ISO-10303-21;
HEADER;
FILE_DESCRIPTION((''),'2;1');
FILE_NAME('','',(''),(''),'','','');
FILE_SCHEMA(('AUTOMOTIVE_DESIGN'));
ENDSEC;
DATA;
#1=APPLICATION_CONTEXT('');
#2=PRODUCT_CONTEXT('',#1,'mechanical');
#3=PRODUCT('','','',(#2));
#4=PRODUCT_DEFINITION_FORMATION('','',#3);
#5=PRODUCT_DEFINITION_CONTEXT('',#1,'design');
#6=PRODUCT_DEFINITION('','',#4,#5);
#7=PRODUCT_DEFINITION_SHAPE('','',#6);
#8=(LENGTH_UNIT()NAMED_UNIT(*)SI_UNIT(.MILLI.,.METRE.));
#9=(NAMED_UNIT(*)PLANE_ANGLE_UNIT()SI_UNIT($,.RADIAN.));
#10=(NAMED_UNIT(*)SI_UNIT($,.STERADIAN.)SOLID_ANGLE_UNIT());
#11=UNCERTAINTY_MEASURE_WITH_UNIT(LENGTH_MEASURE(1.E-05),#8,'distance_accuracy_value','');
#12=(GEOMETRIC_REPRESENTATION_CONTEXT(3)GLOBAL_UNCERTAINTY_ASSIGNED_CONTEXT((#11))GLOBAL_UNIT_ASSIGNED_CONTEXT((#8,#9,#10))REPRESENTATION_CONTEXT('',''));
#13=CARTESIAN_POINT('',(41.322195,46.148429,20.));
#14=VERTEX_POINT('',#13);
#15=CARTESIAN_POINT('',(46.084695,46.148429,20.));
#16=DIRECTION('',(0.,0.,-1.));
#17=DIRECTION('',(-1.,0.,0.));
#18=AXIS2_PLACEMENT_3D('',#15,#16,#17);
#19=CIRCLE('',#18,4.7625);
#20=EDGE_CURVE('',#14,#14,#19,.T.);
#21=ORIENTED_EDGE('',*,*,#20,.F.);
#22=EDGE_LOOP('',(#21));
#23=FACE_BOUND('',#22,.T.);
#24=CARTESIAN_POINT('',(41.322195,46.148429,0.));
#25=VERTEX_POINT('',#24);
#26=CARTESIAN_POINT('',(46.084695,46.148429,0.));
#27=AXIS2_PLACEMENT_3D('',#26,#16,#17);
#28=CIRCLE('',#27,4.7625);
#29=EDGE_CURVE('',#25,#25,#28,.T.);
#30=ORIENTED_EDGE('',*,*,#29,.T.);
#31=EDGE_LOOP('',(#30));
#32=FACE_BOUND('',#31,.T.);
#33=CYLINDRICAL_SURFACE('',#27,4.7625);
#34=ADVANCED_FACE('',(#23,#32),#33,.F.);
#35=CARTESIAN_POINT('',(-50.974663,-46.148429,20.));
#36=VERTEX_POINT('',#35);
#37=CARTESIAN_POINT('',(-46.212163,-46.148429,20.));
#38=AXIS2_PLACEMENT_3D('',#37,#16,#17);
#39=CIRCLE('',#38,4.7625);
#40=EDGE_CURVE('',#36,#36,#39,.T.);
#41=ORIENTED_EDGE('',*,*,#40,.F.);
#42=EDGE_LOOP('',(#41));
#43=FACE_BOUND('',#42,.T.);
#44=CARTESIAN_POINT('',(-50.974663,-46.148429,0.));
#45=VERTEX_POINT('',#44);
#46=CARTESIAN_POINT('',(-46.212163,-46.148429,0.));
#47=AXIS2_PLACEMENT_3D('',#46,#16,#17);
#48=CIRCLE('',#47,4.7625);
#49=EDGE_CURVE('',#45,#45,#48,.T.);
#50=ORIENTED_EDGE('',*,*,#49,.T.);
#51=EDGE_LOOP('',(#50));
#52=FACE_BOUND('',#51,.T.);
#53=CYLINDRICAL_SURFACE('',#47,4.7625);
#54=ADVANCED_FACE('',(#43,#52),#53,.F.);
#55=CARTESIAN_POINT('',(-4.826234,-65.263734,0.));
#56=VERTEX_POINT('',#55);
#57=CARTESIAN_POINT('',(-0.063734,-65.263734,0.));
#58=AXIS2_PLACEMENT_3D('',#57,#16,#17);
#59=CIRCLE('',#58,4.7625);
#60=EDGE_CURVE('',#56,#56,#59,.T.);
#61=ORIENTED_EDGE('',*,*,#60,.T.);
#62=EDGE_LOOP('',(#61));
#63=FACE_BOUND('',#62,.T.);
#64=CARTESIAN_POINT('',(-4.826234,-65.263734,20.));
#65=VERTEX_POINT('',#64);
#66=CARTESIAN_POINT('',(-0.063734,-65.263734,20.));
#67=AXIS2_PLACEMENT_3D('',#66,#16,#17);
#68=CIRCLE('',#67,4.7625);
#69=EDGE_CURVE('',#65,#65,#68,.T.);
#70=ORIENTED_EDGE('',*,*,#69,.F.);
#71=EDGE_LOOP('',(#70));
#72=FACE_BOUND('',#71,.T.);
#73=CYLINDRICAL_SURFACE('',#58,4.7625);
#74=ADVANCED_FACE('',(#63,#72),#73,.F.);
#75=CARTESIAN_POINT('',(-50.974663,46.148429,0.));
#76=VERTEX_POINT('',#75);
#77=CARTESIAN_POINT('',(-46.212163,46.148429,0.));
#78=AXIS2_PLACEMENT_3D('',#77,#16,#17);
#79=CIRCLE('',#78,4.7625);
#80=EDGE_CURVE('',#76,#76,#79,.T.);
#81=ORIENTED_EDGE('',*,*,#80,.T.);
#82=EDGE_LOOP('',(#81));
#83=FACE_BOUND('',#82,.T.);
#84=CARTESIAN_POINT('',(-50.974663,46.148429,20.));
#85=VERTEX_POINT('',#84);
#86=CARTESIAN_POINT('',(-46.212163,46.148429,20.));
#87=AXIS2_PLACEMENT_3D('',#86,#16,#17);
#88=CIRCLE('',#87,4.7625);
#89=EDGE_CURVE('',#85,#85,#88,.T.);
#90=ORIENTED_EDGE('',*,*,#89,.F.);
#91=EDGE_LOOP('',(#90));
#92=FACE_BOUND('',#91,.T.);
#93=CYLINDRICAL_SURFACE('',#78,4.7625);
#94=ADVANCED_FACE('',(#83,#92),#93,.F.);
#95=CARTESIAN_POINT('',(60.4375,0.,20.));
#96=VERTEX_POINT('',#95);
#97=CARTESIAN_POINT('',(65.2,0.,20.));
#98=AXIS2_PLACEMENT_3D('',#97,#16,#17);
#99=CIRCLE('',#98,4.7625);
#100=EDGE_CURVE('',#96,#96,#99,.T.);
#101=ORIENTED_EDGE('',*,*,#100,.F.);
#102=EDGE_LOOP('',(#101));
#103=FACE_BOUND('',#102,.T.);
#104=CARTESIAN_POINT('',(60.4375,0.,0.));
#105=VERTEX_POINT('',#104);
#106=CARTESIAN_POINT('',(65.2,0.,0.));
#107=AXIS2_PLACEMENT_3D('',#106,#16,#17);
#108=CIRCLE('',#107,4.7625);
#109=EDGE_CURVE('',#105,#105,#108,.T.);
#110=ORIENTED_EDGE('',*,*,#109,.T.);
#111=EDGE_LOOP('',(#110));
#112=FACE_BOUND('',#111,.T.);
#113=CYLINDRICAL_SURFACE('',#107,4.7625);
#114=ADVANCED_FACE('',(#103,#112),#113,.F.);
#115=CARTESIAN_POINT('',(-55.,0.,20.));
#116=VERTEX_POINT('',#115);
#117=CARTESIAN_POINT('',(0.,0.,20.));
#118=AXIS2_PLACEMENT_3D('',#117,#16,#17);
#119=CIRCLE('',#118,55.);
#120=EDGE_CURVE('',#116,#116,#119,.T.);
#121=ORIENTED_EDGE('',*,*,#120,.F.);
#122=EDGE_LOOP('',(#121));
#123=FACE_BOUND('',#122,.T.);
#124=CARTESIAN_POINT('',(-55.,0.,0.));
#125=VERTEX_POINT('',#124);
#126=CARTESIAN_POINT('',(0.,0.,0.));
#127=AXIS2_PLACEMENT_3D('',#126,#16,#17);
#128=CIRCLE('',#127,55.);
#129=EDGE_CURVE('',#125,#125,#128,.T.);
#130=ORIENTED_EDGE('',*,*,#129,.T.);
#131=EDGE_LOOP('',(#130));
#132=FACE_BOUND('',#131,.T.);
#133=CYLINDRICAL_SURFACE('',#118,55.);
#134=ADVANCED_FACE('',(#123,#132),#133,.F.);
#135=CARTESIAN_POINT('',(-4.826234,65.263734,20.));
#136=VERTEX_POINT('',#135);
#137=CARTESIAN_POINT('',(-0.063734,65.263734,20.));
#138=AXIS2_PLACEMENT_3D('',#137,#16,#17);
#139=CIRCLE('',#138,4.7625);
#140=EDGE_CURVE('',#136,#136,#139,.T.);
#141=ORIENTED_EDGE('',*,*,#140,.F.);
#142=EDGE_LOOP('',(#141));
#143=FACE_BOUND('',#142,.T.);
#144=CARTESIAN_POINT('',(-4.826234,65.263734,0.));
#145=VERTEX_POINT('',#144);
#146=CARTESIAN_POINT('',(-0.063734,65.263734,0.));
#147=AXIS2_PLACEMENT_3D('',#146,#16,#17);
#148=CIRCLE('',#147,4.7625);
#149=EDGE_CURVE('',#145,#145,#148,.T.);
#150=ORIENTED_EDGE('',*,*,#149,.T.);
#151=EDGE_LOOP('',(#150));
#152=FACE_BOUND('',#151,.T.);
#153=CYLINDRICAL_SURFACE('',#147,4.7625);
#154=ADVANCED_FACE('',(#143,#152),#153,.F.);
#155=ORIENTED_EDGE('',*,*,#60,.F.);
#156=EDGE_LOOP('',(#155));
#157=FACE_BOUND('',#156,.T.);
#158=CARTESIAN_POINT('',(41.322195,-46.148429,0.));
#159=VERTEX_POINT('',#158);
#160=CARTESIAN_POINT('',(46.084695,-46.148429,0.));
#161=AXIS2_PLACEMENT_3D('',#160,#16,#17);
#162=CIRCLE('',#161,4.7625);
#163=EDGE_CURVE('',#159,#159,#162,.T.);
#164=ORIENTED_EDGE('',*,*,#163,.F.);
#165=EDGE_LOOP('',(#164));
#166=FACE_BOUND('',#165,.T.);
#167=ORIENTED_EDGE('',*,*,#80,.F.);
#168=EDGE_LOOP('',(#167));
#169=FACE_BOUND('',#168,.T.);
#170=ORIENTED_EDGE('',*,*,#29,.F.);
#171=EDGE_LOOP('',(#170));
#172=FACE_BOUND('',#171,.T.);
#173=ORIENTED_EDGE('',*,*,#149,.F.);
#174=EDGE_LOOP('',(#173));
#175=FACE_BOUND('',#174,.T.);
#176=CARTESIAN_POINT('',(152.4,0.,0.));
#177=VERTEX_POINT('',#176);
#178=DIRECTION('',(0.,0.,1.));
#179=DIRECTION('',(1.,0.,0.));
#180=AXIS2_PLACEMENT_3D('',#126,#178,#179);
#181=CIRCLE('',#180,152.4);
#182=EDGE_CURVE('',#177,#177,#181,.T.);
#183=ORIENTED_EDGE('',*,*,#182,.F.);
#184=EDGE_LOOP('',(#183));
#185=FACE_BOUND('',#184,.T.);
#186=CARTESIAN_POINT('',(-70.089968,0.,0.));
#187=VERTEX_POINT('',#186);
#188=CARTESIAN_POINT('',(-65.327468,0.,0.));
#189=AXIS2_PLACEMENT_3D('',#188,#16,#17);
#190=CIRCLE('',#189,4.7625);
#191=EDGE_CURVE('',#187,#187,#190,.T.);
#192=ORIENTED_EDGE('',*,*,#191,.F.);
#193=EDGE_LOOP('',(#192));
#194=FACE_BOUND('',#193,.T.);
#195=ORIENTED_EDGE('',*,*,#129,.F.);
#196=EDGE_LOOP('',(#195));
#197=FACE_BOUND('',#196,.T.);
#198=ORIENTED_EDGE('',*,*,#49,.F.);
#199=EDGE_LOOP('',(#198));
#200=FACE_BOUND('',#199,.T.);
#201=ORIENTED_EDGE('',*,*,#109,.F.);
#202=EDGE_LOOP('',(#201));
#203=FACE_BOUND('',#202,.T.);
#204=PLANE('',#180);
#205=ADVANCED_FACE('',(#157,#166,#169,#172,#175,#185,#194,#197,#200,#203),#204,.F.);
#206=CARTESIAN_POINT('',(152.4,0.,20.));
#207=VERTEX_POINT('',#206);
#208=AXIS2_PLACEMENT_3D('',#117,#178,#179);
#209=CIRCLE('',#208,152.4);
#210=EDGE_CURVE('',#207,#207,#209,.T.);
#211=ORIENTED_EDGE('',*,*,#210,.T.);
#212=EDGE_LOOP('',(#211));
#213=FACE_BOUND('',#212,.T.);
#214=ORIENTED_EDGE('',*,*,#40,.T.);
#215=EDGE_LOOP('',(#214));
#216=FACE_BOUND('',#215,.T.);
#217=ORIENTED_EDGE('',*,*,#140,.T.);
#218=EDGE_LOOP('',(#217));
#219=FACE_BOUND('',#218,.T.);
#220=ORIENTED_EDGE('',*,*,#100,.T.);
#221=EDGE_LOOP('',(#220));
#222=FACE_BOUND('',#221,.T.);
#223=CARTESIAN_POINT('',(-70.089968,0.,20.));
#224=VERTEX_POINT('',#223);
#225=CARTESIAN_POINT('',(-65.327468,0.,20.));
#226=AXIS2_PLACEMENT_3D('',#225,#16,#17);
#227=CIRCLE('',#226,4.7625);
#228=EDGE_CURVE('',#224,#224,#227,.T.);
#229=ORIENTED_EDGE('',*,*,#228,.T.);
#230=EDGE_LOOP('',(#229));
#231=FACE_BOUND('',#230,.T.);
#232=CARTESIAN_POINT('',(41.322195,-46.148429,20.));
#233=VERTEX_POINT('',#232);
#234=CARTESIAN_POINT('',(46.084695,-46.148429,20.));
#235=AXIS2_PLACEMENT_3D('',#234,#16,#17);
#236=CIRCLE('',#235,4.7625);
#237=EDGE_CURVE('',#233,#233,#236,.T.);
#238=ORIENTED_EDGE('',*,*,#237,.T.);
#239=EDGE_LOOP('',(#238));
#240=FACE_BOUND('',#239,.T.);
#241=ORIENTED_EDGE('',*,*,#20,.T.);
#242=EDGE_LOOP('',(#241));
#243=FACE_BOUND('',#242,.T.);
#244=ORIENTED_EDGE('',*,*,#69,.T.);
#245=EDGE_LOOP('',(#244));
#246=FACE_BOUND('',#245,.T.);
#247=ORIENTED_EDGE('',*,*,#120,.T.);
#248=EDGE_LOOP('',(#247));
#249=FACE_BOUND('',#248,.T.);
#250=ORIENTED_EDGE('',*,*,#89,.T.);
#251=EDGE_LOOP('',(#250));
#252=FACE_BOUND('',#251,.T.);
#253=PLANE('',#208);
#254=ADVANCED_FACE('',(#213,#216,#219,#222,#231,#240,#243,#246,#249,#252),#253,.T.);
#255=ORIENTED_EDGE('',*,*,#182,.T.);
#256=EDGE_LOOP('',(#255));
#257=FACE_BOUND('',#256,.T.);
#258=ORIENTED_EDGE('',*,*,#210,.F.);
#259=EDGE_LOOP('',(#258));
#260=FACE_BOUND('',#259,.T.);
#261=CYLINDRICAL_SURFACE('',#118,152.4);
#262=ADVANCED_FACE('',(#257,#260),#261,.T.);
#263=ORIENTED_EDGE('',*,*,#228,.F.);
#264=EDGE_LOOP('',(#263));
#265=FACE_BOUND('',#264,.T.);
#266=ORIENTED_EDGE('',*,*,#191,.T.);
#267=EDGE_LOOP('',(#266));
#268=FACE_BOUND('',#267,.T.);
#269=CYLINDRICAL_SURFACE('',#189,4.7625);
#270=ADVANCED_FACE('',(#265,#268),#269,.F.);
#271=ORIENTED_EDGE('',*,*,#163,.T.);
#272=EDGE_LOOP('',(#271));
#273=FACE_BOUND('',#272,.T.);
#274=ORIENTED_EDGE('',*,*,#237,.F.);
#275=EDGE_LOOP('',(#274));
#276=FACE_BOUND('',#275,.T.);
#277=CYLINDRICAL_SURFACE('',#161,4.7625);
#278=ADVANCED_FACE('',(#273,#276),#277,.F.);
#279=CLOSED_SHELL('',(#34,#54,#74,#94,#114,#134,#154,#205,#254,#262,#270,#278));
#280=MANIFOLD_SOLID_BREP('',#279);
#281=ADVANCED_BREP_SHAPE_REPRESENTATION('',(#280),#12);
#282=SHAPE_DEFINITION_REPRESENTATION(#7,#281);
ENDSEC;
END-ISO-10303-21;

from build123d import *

# Parameters (mm, degrees)
SKETCH1_R                    = 152.4
BOSS_EXTRUDE1_DEPTH          = 20
F_3_8_0_375_DIAMETER_HOLE1_D = 9.525
CIRPATTERN1_COUNT            = 8
SKETCH5_R                    = 55
CUT_EXTRUDE1_DEPTH           = 217.452119417


with BuildPart() as part:
    # Sketch1 → Boss-Extrude1 (new body)
    with BuildSketch(Plane.XY):
        Circle(SKETCH1_R)
    extrude(amount=BOSS_EXTRUDE1_DEPTH)

    # 3/8 (0.375) Diameter Hole1 (through all)
    with Locations(Plane(origin=(0, 0, 0), x_dir=(-1, 0, 0), z_dir=(0, 0, -1))):
        with Locations((-65.2, 0)):
            f_3_8_0_375_diameter_hole1 = Hole(F_3_8_0_375_DIAMETER_HOLE1_D / 2)

    # CirPattern1: 3/8 (0.375) Diameter Hole1 ×8 about axis
    cirpattern1_axis = Axis((-0.063734115, 0, 0), (0, 0, 1))
    for i in range(1, CIRPATTERN1_COUNT):
        add(f_3_8_0_375_diameter_hole1.rotate(cirpattern1_axis, i * 360 / CIRPATTERN1_COUNT), mode=Mode.SUBTRACT)

    # Sketch5 → Cut-Extrude1 (cut, through all)
    with BuildSketch(Plane(origin=(0, 0, 0), x_dir=(-1, 0, 0), z_dir=(0, 0, -1))):
        Circle(SKETCH5_R)
    extrude(amount=-CUT_EXTRUDE1_DEPTH, mode=Mode.SUBTRACT)


solid = part.part
